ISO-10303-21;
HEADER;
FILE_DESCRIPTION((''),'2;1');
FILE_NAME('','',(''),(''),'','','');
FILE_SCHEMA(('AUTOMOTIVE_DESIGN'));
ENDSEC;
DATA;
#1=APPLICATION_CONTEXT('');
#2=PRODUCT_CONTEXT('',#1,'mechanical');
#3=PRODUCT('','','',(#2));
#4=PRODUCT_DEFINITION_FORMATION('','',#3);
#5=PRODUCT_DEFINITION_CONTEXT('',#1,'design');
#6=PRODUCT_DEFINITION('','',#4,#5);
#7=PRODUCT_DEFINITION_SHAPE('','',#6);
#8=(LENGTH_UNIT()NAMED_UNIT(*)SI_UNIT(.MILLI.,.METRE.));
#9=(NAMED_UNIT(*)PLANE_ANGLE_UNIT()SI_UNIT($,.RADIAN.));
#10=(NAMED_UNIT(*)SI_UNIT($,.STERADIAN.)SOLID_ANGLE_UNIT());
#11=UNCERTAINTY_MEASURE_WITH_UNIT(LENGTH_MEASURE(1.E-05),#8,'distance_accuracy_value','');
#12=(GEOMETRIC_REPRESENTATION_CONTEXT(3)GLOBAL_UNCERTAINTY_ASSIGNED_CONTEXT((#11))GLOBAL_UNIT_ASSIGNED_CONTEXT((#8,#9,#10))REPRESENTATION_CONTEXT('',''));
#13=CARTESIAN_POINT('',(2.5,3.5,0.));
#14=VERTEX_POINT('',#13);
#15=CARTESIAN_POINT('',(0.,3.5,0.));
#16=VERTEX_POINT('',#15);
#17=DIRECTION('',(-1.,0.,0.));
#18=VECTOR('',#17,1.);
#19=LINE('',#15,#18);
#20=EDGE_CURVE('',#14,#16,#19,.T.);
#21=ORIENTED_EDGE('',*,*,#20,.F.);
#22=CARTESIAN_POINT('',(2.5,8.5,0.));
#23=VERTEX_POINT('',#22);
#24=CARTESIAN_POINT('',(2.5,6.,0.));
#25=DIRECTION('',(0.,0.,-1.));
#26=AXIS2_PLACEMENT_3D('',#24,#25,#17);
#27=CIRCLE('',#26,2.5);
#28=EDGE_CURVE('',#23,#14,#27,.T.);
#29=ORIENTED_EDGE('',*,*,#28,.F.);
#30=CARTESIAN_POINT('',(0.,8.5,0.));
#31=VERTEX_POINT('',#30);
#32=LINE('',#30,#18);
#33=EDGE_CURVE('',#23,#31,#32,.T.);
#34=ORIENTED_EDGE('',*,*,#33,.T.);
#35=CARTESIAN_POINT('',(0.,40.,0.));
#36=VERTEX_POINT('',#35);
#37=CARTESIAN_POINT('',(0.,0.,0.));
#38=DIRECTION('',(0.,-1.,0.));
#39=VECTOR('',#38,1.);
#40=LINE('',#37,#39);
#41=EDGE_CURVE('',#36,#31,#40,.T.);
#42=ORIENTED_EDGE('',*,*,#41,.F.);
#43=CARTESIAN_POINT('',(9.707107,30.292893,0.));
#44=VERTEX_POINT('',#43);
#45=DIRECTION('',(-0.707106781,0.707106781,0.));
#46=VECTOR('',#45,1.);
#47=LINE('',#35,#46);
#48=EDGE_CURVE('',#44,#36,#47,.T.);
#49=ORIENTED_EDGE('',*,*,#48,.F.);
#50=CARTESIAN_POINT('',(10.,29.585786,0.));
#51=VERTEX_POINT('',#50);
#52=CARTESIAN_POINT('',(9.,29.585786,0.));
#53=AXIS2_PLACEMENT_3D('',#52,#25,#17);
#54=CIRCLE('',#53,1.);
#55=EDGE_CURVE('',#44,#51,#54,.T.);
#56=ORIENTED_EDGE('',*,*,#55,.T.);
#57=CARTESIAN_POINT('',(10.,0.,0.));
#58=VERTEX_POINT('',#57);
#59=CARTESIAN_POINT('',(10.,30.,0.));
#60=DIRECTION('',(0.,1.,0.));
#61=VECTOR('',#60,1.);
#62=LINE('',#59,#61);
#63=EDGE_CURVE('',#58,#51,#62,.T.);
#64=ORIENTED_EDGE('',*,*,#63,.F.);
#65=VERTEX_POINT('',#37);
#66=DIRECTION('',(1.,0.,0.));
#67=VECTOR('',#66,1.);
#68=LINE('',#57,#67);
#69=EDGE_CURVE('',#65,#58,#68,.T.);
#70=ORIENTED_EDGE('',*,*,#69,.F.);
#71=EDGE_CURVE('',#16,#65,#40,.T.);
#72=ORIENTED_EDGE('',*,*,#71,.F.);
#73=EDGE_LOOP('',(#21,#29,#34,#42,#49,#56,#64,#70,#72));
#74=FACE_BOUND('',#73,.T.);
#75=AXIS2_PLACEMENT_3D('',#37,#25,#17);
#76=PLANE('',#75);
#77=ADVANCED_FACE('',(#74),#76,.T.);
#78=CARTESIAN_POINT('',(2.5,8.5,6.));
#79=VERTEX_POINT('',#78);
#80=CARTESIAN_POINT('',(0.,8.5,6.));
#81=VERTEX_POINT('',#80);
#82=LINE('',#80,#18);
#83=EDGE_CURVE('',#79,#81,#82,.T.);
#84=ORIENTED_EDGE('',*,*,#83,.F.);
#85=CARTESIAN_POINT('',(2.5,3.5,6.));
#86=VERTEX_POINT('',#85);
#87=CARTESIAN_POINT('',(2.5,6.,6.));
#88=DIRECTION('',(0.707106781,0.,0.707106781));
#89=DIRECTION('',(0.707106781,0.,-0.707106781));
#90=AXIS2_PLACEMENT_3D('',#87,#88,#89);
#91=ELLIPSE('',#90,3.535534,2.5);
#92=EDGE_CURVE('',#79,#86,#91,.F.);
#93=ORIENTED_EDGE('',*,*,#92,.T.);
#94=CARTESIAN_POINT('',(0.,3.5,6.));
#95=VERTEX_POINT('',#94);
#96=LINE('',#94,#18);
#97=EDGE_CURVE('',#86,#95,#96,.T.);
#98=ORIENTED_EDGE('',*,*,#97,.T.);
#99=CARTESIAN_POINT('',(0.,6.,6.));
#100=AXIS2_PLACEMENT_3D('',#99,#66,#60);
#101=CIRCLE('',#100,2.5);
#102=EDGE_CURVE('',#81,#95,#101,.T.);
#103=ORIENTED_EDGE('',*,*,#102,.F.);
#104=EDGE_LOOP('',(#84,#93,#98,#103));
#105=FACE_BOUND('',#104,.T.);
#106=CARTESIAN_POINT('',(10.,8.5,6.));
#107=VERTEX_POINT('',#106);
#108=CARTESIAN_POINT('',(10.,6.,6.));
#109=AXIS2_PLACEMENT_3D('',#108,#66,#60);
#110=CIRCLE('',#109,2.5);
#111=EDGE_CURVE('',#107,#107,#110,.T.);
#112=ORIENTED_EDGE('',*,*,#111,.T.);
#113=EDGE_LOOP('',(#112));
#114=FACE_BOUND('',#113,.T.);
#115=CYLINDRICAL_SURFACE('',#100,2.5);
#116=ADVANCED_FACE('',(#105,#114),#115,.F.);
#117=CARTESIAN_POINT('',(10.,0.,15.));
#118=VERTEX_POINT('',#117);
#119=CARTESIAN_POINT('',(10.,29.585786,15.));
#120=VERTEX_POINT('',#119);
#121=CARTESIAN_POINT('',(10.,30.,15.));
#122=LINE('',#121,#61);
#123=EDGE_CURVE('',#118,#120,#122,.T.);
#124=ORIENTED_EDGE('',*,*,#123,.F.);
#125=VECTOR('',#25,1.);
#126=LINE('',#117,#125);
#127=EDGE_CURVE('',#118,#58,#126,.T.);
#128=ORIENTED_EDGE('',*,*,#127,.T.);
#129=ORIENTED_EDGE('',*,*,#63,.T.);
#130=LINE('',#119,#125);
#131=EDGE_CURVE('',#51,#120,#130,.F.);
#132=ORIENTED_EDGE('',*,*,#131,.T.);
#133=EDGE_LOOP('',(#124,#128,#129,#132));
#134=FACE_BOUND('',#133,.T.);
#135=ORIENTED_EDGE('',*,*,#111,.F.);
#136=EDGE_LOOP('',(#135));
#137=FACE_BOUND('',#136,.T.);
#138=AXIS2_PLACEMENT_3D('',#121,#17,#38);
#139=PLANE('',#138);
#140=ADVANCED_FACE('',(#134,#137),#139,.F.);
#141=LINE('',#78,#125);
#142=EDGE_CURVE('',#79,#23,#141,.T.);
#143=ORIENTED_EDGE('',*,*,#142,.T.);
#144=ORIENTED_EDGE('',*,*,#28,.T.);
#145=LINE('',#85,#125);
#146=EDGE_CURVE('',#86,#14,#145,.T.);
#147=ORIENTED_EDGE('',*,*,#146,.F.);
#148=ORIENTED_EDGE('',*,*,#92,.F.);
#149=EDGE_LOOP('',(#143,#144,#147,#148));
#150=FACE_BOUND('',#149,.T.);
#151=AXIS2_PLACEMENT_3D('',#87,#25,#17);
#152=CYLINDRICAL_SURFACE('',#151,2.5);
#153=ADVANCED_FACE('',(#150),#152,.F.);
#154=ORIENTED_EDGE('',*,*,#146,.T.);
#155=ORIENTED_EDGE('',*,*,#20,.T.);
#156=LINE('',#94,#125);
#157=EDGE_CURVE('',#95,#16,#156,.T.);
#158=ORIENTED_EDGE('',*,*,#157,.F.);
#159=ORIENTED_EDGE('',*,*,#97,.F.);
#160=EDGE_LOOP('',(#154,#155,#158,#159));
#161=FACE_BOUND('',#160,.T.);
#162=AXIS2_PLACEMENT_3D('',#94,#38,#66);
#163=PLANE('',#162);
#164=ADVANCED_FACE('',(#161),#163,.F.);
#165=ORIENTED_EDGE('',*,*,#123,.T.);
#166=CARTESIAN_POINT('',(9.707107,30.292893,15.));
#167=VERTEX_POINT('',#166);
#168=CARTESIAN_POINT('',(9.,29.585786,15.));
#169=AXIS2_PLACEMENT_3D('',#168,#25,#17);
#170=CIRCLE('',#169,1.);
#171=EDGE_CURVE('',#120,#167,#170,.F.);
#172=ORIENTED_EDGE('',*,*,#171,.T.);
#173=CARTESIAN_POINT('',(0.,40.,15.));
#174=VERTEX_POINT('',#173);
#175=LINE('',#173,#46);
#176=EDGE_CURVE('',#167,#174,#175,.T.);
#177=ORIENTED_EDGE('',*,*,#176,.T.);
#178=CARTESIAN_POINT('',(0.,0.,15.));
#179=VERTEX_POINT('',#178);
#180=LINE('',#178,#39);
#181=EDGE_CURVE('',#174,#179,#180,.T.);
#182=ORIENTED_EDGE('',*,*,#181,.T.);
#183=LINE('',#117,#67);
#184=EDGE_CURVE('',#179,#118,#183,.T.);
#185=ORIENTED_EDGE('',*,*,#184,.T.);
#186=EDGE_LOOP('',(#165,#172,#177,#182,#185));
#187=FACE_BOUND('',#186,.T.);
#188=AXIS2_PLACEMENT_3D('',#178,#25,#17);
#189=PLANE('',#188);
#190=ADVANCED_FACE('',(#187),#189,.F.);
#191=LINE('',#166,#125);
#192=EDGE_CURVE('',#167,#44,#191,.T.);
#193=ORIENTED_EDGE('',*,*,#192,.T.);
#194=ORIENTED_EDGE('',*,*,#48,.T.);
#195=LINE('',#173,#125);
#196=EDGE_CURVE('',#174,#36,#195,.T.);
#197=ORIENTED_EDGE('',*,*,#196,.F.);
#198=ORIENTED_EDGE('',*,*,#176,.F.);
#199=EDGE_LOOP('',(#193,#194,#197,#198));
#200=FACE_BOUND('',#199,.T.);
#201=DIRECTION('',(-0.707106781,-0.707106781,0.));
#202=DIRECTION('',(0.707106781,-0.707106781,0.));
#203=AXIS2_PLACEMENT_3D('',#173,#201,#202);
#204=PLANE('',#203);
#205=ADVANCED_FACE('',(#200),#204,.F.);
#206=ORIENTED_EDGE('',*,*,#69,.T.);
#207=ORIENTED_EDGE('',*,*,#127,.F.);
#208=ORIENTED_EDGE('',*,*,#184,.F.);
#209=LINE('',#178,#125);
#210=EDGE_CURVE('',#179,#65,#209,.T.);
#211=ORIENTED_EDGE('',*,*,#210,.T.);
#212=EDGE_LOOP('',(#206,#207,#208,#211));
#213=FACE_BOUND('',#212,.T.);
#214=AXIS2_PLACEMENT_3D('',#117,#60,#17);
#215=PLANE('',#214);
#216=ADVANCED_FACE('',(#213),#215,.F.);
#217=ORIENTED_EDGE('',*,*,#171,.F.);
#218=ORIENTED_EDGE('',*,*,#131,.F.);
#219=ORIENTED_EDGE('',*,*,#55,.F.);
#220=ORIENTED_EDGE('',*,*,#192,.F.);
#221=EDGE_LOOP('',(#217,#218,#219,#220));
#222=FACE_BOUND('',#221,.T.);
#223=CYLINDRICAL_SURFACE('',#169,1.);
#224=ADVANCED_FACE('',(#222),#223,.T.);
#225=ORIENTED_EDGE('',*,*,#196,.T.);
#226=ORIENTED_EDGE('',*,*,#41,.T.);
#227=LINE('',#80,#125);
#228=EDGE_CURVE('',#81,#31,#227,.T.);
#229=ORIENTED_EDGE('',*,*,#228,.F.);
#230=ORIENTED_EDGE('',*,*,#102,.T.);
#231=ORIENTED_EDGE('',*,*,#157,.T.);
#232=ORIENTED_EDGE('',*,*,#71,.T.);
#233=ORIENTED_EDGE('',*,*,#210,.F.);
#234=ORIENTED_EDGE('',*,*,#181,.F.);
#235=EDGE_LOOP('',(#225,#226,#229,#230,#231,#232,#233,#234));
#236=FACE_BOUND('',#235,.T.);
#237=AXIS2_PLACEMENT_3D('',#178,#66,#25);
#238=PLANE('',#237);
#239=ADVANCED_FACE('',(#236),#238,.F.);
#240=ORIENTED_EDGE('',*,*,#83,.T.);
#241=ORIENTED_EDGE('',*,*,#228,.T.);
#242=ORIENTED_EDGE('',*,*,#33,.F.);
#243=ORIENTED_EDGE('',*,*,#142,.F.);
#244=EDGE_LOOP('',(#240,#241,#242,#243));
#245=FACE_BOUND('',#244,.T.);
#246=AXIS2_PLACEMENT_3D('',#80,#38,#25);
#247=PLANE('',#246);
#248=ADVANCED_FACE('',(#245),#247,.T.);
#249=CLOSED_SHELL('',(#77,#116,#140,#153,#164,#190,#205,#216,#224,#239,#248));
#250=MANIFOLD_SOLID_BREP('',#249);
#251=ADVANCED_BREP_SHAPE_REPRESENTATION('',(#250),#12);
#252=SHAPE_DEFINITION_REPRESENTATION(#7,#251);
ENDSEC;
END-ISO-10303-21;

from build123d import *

# Parameters (mm, degrees)
RESSALTO_EXTRUS_O1_DEPTH = 15
ESBO_O2_R                = 2.5
CORTE_EXTRUS_O1_DEPTH    = 44.874821937
ESBO_O3_R                = 2.5
CORTE_EXTRUS_O2_DEPTH    = 6
FILETE1_R                = 1


with BuildPart() as part:
    # Esboço1 → Ressalto-extrusão1 (new body)
    with BuildSketch(Plane.XY):
        Polygon((0, 0), (0, 40), (10, 30), (10, 0), align=None)
    extrude(amount=RESSALTO_EXTRUS_O1_DEPTH)

    # Esboço2 → Corte-extrusão1 (cut, through all)
    with BuildSketch(Plane(origin=(10, 0, 0), x_dir=(0, 0, -1), z_dir=(1, 0, 0))):
        with Locations(Location((-6, 6, 0), (0, 0, 90))):
            Circle(ESBO_O2_R)
    extrude(amount=-CORTE_EXTRUS_O1_DEPTH, mode=Mode.SUBTRACT)

    # Esboço3 → Corte-extrusão2 (cut)
    with BuildSketch(Plane(origin=(0, 0, 0), x_dir=(-1, 0, 0), z_dir=(0, 0, -1))):
        with Locations((-2.5, 6)):
            Circle(ESBO_O3_R)
        with BuildLine():
            Line((0, 8.5), (-2.5, 8.5))
            ThreePointArc((-2.5, 8.5), (-0.732233047, 7.767766953), (0, 6))
            Line((0, 6), (0, 8.5))
        make_face()
        with BuildLine():
            Line((0, 3.5), (0, 6))
            ThreePointArc((0, 6), (-0.732233047, 4.232233047), (-2.5, 3.5))
            Line((-2.5, 3.5), (0, 3.5))
        make_face()
    extrude(amount=-CORTE_EXTRUS_O2_DEPTH, mode=Mode.SUBTRACT)

    # Filete1
    filete1_edges = [part.edges().sort_by_distance(p)[0] for p in [
        (10, 30, 7.5),
    ]]
    fillet(filete1_edges, radius=FILETE1_R)


solid = part.part
